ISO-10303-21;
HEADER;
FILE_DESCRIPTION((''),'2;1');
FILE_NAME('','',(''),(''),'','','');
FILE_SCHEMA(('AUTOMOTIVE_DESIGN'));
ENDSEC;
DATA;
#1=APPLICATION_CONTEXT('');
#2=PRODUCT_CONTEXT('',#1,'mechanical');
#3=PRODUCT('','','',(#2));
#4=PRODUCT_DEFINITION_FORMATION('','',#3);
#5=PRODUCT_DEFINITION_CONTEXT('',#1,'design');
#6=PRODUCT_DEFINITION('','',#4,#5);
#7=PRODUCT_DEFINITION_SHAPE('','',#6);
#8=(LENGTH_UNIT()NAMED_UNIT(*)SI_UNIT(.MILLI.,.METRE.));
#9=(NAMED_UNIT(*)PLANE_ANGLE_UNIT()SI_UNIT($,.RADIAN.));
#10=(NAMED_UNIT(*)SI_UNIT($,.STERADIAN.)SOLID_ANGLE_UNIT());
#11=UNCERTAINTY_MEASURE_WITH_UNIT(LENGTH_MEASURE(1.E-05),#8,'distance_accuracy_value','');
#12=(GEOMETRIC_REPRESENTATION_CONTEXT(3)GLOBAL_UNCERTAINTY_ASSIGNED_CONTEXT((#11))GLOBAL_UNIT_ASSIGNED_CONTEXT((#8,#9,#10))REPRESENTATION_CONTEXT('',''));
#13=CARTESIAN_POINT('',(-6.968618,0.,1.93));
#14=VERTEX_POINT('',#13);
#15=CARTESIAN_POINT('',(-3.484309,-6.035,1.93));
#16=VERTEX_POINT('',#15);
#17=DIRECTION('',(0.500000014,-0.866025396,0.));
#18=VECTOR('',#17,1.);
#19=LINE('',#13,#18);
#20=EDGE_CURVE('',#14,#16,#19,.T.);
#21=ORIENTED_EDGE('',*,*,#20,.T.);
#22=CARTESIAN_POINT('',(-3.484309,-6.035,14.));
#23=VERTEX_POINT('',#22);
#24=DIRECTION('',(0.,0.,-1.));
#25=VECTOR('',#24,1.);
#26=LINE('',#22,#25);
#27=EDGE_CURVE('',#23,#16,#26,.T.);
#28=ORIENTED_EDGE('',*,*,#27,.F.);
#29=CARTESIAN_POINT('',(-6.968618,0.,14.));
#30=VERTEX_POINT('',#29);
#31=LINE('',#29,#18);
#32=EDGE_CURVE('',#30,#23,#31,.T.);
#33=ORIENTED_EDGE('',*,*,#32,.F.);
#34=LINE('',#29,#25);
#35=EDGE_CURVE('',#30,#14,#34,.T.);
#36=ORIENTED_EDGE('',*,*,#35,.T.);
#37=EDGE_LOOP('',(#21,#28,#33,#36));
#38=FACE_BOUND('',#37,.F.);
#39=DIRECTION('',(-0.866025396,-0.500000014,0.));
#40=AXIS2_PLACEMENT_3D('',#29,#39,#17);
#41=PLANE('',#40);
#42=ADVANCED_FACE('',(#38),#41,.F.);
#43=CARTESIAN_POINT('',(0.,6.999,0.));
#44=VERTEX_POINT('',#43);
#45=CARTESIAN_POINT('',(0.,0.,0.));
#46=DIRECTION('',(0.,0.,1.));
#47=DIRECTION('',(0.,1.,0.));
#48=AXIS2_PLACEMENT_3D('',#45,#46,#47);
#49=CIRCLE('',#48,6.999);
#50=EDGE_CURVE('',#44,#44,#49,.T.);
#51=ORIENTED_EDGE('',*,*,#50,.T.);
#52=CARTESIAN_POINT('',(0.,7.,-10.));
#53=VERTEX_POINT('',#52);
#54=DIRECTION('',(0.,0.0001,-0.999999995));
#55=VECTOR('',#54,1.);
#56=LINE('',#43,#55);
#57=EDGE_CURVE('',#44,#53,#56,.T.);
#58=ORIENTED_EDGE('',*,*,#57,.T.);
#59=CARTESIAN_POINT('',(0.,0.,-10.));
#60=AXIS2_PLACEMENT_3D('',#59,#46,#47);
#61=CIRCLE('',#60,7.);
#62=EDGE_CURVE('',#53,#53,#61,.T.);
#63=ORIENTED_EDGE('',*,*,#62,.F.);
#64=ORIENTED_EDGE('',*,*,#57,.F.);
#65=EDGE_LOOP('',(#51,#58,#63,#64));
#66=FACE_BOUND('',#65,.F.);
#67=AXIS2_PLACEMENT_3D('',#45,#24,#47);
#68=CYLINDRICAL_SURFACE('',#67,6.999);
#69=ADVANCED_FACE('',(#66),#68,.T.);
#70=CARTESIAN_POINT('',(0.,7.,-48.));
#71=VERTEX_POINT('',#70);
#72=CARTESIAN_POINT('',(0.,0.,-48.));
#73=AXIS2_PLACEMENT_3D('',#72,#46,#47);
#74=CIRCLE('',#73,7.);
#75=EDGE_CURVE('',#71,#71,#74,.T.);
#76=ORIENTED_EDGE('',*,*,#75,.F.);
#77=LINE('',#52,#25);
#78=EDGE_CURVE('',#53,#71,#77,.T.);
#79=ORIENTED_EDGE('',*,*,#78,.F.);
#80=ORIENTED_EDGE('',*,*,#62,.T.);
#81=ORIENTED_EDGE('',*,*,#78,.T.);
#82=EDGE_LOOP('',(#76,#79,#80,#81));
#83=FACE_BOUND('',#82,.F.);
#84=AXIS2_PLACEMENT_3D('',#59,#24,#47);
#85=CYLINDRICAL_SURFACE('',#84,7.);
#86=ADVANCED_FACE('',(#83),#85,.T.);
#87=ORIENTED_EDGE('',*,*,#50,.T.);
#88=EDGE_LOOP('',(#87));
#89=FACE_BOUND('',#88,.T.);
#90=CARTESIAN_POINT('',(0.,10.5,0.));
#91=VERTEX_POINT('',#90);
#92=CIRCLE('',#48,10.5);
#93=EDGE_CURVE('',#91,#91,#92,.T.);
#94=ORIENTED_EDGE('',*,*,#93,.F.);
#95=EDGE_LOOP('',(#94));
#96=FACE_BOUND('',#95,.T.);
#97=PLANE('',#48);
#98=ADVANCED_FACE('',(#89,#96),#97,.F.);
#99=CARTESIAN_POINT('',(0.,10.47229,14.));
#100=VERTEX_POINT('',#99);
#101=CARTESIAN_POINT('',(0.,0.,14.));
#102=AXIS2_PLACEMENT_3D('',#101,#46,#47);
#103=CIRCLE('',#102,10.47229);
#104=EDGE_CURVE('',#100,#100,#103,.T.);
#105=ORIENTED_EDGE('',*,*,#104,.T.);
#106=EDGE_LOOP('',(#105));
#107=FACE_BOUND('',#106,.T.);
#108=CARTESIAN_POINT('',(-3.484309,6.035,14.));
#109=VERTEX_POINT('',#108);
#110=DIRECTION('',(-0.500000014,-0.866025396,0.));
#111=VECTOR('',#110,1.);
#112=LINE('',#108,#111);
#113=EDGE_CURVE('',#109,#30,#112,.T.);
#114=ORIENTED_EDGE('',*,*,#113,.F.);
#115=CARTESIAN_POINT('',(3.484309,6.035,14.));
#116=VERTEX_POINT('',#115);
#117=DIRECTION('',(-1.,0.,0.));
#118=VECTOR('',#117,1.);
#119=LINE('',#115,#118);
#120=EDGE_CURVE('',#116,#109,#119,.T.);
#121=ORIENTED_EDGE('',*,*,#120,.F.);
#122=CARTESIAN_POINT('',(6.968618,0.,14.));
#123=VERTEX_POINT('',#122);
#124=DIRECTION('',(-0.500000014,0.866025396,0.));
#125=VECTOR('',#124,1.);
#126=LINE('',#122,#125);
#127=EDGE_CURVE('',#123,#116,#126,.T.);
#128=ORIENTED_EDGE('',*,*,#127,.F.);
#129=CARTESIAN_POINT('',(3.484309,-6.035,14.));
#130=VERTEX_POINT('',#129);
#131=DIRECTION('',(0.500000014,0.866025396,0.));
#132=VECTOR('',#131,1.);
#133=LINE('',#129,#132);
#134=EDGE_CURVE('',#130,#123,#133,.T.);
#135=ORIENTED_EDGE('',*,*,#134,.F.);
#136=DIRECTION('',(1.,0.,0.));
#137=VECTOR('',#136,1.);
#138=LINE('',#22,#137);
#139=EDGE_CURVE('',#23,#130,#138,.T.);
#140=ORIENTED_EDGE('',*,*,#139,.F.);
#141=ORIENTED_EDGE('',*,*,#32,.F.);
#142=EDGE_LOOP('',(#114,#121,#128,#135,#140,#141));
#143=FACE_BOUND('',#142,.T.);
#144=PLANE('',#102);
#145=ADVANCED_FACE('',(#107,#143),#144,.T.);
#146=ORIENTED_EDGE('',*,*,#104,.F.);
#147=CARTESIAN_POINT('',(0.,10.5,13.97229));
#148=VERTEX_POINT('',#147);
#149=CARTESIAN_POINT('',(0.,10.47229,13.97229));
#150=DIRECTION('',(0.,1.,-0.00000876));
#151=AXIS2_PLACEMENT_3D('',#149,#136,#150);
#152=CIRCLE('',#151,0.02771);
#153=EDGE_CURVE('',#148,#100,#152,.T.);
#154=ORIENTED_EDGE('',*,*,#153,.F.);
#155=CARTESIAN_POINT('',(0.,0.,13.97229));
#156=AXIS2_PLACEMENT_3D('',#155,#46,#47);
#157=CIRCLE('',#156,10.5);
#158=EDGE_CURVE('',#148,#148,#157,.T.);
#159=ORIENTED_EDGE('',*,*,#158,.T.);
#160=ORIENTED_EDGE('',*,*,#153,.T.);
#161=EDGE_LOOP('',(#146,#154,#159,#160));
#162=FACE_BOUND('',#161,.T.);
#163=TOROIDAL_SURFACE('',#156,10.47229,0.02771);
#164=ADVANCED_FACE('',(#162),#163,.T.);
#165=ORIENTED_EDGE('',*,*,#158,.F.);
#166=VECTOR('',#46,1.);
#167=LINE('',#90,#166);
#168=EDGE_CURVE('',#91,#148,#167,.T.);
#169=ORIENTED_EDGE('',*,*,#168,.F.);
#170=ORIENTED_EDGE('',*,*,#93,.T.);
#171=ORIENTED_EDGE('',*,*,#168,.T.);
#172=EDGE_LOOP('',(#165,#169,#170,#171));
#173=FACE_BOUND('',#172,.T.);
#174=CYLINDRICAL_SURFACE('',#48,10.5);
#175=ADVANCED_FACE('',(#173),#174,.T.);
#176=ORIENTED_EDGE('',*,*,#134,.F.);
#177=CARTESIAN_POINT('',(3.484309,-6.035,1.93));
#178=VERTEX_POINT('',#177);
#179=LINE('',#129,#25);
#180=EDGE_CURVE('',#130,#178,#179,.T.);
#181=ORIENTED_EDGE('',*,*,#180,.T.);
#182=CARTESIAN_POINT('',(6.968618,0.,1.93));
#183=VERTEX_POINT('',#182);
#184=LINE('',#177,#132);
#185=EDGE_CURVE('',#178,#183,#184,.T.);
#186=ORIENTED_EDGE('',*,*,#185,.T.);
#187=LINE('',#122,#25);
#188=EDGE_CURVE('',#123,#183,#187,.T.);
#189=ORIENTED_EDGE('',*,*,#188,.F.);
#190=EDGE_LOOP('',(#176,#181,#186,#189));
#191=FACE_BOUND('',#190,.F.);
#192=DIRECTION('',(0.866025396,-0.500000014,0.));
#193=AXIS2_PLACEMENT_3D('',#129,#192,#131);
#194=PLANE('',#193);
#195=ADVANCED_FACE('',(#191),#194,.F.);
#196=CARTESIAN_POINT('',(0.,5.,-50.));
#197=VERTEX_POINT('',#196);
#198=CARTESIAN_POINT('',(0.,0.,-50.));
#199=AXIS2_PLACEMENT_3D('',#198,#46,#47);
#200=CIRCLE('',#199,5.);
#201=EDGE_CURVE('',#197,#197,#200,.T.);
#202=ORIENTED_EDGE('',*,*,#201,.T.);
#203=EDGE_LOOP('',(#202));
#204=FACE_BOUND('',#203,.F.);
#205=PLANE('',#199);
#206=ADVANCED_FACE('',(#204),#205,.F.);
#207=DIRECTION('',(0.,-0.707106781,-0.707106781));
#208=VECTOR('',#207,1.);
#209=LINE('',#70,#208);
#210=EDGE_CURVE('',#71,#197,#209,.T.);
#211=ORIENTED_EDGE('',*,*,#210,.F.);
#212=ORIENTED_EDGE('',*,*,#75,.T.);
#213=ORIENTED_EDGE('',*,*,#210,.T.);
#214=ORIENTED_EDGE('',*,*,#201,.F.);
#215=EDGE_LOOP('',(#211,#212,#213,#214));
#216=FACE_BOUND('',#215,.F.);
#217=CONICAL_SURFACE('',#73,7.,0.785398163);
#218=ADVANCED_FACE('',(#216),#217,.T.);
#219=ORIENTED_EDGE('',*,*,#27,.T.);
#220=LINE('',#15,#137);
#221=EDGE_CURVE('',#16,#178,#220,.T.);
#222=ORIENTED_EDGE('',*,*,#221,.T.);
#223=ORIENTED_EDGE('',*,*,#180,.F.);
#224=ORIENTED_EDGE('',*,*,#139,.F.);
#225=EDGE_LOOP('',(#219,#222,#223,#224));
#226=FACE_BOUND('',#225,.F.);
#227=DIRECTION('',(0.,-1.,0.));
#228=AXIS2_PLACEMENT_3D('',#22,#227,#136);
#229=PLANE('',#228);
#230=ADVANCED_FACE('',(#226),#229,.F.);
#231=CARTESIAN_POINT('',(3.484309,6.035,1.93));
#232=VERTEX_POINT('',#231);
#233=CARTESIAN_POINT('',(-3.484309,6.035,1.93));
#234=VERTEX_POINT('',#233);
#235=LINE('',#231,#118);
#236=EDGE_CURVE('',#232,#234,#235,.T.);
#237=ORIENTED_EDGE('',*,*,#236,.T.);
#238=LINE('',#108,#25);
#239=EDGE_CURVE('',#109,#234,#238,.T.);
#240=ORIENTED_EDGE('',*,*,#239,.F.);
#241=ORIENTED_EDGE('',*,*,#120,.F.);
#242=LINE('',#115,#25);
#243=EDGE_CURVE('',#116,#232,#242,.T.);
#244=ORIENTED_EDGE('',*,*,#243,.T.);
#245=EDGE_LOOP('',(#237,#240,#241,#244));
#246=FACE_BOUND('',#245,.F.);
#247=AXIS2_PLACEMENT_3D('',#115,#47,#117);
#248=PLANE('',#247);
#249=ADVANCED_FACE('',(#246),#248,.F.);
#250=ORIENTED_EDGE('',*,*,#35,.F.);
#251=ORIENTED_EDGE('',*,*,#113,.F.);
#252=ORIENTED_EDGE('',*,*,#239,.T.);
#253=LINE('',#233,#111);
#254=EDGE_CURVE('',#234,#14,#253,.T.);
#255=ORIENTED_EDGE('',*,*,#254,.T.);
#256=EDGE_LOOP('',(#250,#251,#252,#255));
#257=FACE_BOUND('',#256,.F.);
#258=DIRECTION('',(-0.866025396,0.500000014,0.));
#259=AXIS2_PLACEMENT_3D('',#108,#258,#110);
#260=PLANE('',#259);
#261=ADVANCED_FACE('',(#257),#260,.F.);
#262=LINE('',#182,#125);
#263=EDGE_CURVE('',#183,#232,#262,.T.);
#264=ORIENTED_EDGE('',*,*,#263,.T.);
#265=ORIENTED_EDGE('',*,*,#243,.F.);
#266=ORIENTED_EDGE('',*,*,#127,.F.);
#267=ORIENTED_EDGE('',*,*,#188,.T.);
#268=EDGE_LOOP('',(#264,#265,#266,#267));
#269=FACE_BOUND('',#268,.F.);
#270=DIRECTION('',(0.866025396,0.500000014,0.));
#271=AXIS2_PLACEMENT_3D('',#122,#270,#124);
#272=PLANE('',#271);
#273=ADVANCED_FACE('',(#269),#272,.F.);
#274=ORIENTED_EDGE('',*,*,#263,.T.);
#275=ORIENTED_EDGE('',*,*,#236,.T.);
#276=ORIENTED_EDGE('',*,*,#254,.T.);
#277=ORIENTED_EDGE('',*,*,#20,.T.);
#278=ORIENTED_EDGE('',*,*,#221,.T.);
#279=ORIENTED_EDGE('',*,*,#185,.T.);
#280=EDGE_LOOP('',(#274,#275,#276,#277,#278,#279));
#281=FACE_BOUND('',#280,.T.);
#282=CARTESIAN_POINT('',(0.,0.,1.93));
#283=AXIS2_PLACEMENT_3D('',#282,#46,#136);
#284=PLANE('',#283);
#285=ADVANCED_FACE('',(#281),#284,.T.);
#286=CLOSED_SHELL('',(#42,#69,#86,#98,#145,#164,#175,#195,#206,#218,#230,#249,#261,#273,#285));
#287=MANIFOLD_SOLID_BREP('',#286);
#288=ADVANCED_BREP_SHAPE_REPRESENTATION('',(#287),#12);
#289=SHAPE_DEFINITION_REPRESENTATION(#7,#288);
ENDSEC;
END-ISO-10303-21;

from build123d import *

# Parameters (mm, degrees)
POCKET_DEPTH = 12.07


with BuildPart() as part:
    # Sketch → Revolve (revolve)
    with BuildSketch(Plane.YZ):
        with BuildLine():
            Line((6.999, 0), (10.5, 0))
            Line((10.5, 0), (10.5, 13.97229))
            ThreePointArc((10.5, 13.97229), (10.491884, 13.991884), (10.47229, 14))
            Line((10.47229, 14), (0, 14))
            Line((0, -50), (0, 14))
            Line((5, -50), (0, -50))
            Line((7, -48), (5, -50))
            Line((7, -10), (7, -48))
            Line((6.999, 0), (7, -10))
        make_face()
    revolve(axis=Axis((0, 0, 0), (0, 0, 1)))

    # Sketch001 → Pocket (cut)
    with BuildSketch(Plane.XY.offset(14)):
        Polygon((6.968618, 0), (3.484309, 6.035), (-3.484309, 6.035), (-6.968618, 0), (-3.484309, -6.035), (3.484309, -6.035), align=None)
    extrude(amount=-POCKET_DEPTH, mode=Mode.SUBTRACT)


solid = part.part
